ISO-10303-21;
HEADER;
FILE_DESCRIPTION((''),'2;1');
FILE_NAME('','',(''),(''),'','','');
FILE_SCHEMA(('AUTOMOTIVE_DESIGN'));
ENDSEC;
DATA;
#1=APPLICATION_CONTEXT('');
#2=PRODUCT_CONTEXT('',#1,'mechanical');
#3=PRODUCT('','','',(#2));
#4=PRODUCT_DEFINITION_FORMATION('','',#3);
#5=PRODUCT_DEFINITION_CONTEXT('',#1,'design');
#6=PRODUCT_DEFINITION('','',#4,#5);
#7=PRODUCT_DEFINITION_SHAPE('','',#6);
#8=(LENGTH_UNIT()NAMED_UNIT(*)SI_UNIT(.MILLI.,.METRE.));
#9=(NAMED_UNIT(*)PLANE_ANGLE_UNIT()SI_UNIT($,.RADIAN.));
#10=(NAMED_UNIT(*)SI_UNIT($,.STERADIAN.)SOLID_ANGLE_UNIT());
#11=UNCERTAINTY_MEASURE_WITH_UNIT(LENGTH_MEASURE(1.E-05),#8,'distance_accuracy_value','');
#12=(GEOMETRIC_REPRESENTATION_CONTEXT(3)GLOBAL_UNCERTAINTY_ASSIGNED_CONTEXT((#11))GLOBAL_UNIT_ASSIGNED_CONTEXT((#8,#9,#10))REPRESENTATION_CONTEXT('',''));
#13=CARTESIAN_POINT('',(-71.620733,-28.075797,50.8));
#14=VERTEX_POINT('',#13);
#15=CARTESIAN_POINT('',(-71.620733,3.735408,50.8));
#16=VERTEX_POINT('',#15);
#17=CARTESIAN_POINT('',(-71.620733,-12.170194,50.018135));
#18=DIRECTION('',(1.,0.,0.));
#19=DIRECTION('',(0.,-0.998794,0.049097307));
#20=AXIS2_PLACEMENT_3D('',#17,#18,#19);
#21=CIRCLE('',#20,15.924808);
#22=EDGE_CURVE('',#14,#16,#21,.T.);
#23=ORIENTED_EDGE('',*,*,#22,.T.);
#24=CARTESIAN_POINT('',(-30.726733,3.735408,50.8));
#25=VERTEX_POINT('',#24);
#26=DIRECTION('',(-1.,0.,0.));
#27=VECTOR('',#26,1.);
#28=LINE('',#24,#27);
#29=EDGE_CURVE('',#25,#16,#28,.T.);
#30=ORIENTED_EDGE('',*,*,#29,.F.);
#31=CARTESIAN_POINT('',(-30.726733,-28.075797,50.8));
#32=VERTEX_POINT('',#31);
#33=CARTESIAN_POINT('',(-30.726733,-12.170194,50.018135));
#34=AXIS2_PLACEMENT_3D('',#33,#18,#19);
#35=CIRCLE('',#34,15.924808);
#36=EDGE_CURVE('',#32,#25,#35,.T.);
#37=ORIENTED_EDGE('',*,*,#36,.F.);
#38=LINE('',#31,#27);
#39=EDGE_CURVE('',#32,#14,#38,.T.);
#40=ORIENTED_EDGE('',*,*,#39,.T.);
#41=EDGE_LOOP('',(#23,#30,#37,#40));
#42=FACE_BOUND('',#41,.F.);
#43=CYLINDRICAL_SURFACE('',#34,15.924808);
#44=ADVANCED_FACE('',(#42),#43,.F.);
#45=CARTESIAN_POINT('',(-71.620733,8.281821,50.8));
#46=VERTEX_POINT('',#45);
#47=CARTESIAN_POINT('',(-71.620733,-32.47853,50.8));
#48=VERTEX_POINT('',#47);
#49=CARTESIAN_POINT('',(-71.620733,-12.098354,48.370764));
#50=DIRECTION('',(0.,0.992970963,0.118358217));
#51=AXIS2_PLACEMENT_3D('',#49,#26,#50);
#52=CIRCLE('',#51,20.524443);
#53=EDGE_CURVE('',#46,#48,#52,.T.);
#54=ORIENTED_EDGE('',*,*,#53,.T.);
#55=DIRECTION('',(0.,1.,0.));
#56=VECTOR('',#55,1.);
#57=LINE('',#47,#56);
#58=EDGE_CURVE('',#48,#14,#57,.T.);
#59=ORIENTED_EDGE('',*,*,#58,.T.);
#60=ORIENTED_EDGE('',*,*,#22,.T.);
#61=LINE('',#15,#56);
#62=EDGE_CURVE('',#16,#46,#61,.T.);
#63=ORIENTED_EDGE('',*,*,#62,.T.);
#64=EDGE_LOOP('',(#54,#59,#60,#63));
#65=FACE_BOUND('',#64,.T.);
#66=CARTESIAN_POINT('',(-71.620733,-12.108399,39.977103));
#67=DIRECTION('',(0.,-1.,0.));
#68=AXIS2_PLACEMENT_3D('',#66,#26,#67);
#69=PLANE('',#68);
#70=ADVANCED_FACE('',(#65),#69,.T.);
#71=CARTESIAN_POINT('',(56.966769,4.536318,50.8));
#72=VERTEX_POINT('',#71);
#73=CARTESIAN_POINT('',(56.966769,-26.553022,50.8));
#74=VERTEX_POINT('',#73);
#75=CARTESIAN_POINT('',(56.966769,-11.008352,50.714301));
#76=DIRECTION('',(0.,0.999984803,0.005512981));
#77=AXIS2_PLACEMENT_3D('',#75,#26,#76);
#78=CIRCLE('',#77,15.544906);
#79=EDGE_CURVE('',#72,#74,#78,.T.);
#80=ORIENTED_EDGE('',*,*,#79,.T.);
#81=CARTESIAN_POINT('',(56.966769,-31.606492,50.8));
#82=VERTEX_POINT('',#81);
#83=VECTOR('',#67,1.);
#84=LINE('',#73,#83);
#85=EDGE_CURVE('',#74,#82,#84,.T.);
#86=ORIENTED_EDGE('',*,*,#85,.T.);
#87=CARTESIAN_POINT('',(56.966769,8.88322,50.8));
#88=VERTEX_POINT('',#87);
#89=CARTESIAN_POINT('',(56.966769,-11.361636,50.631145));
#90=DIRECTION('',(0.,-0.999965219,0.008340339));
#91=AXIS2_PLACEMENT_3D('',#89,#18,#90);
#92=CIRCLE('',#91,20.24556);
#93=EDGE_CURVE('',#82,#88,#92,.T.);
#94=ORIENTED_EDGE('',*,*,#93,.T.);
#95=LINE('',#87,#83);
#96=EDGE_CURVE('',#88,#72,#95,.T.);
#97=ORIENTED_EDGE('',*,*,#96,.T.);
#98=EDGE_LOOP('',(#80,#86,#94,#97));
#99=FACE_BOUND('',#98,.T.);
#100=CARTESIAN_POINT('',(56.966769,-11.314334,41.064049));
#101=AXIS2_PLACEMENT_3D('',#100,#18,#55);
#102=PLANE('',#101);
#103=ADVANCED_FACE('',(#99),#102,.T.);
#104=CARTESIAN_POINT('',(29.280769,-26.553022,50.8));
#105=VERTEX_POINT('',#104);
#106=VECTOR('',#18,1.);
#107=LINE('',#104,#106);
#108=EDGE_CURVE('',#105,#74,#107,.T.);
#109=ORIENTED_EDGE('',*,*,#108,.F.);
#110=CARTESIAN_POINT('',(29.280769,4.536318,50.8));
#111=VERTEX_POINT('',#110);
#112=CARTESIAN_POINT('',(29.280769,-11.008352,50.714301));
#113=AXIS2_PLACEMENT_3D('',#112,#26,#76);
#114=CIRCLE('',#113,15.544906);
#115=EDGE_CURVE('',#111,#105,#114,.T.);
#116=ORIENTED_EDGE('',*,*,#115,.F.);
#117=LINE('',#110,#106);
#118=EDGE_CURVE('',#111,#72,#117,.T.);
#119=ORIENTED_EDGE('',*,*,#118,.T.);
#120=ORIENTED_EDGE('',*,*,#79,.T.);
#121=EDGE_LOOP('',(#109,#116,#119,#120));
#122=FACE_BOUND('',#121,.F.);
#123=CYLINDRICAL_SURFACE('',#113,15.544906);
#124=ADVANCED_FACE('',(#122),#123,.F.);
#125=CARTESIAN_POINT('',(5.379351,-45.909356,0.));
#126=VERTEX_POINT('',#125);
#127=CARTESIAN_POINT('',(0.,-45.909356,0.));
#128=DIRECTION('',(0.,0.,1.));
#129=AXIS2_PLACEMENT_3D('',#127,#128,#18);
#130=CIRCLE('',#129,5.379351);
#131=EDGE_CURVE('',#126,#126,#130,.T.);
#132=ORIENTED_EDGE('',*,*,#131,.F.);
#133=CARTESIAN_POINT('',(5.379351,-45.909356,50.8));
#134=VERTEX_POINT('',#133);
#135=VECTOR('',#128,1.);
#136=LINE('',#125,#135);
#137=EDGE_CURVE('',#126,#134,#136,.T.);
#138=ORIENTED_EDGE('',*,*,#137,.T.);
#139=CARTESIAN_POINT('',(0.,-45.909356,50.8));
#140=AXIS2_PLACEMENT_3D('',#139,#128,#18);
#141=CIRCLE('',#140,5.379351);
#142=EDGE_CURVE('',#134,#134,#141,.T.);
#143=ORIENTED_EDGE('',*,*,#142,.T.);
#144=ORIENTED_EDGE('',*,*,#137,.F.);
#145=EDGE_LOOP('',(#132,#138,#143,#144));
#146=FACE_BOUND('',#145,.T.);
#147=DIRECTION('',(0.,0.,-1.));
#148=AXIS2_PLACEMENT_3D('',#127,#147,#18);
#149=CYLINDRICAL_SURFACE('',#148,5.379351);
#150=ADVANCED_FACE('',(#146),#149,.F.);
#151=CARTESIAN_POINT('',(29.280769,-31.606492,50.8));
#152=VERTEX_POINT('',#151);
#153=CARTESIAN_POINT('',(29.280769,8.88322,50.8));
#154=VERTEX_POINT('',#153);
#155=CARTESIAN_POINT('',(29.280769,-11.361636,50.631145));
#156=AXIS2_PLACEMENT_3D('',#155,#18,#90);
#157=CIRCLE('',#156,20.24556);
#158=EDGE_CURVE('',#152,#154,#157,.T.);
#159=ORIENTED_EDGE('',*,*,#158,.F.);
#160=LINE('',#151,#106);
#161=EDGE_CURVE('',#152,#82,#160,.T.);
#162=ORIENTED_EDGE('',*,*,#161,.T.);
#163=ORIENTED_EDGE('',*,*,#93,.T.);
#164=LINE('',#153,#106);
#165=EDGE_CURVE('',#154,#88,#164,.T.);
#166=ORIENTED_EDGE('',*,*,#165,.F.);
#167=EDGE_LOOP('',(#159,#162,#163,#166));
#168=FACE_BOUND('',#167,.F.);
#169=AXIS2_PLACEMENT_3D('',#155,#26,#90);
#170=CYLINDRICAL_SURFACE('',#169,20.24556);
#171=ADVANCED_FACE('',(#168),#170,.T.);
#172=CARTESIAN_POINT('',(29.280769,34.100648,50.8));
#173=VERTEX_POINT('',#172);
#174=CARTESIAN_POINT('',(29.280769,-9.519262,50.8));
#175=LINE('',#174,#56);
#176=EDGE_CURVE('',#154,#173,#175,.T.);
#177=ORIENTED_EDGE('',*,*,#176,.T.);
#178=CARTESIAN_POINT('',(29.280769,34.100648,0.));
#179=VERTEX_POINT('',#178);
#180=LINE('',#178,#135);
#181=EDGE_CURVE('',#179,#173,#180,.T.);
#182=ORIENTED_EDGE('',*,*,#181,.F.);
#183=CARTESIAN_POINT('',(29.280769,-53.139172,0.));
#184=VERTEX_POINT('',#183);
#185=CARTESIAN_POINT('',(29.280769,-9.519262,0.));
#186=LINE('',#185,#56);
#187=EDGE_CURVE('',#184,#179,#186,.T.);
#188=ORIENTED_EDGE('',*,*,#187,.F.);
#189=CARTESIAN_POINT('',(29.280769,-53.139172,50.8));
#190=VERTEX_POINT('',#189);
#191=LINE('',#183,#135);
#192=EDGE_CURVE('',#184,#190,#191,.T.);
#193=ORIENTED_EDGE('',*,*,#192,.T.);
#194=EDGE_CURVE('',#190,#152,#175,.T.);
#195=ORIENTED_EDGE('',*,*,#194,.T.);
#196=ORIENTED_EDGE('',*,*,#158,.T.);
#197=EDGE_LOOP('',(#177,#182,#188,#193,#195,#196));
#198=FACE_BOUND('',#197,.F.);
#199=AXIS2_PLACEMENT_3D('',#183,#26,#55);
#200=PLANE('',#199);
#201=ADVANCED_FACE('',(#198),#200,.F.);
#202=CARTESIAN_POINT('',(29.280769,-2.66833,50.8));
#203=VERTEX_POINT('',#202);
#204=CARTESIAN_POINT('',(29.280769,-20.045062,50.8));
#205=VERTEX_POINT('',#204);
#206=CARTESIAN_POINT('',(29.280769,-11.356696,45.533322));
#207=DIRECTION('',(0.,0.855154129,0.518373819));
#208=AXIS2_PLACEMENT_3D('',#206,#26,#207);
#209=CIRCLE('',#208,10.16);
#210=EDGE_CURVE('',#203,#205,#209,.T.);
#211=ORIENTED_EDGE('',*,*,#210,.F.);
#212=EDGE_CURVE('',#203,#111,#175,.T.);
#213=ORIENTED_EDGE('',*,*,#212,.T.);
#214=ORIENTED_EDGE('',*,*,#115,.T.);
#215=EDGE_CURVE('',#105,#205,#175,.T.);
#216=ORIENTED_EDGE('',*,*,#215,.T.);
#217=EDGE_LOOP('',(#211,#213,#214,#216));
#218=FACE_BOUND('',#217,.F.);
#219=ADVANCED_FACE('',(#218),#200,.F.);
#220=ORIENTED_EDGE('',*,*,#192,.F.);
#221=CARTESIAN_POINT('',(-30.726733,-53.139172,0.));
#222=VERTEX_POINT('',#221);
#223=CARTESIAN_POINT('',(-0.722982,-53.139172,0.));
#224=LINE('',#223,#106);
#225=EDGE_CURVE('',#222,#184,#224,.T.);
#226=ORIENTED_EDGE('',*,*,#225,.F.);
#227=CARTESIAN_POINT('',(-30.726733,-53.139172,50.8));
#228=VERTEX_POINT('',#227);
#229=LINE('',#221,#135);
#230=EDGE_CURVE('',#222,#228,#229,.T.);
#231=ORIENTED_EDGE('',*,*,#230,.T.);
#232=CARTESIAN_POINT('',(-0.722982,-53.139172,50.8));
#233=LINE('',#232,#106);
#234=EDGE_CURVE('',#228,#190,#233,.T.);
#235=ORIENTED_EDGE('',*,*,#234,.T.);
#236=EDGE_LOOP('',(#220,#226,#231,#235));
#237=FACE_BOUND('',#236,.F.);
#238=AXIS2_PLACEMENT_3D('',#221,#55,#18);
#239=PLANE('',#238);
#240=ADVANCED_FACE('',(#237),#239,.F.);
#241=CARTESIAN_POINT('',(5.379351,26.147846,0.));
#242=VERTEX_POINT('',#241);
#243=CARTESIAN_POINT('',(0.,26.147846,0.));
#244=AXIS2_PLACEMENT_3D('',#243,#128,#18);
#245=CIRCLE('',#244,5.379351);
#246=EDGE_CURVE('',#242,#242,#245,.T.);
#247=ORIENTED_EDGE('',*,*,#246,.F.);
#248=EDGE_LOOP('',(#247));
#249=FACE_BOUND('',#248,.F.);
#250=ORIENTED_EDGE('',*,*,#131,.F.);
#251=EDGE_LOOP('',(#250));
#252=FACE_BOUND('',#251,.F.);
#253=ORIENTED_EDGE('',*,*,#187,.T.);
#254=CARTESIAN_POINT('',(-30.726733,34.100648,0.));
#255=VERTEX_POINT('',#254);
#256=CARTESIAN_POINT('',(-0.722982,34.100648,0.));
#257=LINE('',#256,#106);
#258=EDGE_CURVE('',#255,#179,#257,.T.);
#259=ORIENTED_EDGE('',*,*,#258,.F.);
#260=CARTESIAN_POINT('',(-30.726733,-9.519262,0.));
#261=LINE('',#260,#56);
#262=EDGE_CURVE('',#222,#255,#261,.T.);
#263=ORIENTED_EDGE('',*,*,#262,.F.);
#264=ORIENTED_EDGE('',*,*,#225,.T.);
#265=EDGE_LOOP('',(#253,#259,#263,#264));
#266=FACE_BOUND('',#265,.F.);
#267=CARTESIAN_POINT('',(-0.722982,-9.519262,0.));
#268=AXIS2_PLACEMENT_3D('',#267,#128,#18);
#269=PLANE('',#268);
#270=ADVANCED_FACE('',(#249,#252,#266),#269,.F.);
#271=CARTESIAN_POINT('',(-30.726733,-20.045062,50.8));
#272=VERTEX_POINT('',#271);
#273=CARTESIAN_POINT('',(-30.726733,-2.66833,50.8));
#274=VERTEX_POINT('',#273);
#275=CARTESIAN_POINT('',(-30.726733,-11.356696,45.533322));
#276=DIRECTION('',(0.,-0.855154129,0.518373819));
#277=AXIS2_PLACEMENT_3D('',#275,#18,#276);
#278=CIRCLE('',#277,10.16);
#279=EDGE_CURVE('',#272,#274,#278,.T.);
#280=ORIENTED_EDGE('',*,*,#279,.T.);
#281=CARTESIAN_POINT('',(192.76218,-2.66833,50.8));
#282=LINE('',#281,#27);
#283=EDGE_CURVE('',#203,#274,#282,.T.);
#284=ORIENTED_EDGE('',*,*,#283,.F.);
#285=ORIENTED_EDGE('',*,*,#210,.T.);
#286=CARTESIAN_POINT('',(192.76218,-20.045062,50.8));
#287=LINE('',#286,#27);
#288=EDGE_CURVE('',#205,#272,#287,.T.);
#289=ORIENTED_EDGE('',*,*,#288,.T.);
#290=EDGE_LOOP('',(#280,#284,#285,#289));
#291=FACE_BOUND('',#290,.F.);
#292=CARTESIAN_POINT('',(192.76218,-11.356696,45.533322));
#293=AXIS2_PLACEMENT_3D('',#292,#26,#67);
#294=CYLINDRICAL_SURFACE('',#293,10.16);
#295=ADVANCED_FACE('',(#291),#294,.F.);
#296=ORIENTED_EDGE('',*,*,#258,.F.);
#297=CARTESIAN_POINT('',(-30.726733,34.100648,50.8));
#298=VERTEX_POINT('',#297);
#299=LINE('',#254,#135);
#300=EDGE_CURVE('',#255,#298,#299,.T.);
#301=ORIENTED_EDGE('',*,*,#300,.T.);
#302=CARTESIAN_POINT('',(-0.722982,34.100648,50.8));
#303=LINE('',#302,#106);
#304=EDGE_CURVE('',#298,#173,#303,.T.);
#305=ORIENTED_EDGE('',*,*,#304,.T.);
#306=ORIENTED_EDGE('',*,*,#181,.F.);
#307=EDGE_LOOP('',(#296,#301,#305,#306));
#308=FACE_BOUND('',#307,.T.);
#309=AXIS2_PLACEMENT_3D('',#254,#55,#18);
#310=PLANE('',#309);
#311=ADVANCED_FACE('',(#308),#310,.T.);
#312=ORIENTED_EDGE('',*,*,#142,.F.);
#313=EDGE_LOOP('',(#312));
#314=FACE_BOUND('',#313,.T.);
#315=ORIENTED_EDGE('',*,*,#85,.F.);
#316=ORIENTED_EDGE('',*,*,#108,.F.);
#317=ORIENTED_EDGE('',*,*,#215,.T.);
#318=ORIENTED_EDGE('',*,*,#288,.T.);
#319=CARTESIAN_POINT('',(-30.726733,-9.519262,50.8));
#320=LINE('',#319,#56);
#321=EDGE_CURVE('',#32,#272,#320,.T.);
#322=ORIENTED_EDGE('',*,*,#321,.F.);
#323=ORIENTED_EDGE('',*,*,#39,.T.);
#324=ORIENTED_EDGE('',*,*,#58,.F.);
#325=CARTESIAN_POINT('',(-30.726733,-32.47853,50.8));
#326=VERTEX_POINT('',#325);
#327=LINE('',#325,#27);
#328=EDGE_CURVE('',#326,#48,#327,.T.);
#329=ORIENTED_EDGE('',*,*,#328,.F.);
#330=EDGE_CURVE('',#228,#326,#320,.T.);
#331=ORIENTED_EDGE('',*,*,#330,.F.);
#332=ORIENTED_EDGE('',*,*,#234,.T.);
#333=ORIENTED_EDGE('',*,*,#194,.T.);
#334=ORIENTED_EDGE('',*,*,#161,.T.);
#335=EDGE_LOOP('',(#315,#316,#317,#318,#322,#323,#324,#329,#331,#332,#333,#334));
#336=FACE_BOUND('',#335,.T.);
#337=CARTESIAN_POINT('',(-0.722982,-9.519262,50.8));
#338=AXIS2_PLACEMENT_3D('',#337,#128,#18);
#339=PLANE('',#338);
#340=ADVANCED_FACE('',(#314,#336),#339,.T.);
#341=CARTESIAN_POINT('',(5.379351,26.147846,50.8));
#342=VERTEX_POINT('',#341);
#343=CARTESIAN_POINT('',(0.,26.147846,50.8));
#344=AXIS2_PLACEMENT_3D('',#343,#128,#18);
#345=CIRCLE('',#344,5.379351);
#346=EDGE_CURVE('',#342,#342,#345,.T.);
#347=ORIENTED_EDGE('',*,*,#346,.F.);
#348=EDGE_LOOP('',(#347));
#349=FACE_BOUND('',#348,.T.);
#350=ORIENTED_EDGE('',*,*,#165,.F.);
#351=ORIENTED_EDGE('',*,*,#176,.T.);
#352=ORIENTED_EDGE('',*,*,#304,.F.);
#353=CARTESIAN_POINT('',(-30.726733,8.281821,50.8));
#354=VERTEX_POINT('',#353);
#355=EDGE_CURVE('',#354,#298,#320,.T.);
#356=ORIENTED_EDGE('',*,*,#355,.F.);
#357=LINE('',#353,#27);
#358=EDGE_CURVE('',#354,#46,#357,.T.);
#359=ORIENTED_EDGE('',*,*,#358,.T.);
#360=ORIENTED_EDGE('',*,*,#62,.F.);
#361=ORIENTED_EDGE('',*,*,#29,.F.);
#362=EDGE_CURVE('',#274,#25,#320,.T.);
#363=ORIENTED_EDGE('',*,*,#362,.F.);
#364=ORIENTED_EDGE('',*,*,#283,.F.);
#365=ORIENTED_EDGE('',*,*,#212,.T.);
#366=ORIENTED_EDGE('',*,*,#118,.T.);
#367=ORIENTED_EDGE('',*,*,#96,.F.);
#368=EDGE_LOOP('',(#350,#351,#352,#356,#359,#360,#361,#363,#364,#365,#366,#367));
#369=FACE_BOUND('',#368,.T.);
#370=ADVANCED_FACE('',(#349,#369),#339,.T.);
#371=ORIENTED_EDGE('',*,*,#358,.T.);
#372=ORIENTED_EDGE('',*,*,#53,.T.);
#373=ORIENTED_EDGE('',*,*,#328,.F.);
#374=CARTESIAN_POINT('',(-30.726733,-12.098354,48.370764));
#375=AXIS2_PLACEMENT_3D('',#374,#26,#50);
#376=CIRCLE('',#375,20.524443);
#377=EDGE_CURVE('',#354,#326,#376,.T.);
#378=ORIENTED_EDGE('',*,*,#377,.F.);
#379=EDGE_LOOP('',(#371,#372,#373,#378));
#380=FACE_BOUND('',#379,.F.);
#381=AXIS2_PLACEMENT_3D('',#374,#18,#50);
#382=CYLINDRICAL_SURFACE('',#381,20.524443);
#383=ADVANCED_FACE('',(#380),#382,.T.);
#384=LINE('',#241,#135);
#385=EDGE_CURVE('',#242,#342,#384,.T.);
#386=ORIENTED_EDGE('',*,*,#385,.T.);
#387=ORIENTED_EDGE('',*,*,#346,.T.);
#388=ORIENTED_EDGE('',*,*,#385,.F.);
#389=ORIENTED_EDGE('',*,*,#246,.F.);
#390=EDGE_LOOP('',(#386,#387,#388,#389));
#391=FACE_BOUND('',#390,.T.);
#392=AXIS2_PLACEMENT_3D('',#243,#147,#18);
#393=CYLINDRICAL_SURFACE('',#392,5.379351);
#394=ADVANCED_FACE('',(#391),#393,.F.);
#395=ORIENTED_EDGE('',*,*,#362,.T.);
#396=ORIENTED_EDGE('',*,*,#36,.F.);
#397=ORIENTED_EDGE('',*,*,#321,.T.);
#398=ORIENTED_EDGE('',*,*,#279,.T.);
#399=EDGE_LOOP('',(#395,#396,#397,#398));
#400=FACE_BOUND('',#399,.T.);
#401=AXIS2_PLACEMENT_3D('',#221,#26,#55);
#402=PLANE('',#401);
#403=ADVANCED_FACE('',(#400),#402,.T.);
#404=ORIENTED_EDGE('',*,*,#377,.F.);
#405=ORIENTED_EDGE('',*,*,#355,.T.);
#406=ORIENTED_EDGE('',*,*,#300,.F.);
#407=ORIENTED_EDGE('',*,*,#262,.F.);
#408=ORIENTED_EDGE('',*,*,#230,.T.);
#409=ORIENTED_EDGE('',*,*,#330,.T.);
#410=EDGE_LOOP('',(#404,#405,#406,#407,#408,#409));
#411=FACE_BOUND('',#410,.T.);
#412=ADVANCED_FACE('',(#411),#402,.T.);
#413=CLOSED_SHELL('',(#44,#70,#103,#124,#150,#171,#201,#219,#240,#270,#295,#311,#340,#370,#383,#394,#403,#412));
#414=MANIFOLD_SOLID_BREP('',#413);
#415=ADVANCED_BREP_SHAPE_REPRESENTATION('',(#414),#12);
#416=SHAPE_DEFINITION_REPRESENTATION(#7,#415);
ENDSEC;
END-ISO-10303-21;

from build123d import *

# Parameters (mm, degrees)
F0_W     = 60.007502
F0_H     = 87.23982
F0_R     = 5.379351
F1_DEPTH = 50.8
F3_DEPTH = 40.894
F5_DEPTH = 27.686
F6_D     = 20.32


with BuildPart() as f1:
    # F0 (on Top) → F1 (new body)
    with BuildSketch(Plane.XY):
        with Locations((-0.722982, -9.519262)):
            Rectangle(F0_W, F0_H)
        with Locations((0, -45.909356)):
            Circle(F0_R, mode=Mode.SUBTRACT)
        with Locations((0, 26.147846)):
            Circle(F0_R, mode=Mode.SUBTRACT)
    extrude(amount=F1_DEPTH)

    # F2 (on face) → F3 (join)
    with BuildSketch(Plane(origin=(-30.726733, 0, 0), x_dir=(0, -1, 0), z_dir=(-1, 0, 0))):
        with BuildLine():
            ThreePointArc((28.075797, 50.8), (12.170195, 34.093327), (-3.735408, 50.8))
            Line((-3.735408, 50.8), (-8.281821, 50.8))
            ThreePointArc((-8.281821, 50.8), (12.098354, 27.846321), (32.47853, 50.8))
            Line((32.47853, 50.8), (28.075797, 50.8))
        make_face()
    extrude(amount=F3_DEPTH)

    # F4 (on face) → F5 (join)
    with BuildSketch(Plane.YZ.offset(29.280769)):
        with BuildLine():
            Line((-26.553022, 50.8), (-31.606492, 50.8))
            ThreePointArc((-31.606492, 50.8), (-11.361636, 30.385585), (8.88322, 50.8))
            Line((8.88322, 50.8), (4.536318, 50.8))
            ThreePointArc((4.536318, 50.8), (-11.008352, 35.169395), (-26.553022, 50.8))
        make_face()
    extrude(amount=F5_DEPTH)

    # F6 (through all)
    with Locations(Plane.YZ.offset(29.280769)):
        with Locations((-11.356696, 45.533322)):
            Hole(F6_D / 2)


solid = f1.part
